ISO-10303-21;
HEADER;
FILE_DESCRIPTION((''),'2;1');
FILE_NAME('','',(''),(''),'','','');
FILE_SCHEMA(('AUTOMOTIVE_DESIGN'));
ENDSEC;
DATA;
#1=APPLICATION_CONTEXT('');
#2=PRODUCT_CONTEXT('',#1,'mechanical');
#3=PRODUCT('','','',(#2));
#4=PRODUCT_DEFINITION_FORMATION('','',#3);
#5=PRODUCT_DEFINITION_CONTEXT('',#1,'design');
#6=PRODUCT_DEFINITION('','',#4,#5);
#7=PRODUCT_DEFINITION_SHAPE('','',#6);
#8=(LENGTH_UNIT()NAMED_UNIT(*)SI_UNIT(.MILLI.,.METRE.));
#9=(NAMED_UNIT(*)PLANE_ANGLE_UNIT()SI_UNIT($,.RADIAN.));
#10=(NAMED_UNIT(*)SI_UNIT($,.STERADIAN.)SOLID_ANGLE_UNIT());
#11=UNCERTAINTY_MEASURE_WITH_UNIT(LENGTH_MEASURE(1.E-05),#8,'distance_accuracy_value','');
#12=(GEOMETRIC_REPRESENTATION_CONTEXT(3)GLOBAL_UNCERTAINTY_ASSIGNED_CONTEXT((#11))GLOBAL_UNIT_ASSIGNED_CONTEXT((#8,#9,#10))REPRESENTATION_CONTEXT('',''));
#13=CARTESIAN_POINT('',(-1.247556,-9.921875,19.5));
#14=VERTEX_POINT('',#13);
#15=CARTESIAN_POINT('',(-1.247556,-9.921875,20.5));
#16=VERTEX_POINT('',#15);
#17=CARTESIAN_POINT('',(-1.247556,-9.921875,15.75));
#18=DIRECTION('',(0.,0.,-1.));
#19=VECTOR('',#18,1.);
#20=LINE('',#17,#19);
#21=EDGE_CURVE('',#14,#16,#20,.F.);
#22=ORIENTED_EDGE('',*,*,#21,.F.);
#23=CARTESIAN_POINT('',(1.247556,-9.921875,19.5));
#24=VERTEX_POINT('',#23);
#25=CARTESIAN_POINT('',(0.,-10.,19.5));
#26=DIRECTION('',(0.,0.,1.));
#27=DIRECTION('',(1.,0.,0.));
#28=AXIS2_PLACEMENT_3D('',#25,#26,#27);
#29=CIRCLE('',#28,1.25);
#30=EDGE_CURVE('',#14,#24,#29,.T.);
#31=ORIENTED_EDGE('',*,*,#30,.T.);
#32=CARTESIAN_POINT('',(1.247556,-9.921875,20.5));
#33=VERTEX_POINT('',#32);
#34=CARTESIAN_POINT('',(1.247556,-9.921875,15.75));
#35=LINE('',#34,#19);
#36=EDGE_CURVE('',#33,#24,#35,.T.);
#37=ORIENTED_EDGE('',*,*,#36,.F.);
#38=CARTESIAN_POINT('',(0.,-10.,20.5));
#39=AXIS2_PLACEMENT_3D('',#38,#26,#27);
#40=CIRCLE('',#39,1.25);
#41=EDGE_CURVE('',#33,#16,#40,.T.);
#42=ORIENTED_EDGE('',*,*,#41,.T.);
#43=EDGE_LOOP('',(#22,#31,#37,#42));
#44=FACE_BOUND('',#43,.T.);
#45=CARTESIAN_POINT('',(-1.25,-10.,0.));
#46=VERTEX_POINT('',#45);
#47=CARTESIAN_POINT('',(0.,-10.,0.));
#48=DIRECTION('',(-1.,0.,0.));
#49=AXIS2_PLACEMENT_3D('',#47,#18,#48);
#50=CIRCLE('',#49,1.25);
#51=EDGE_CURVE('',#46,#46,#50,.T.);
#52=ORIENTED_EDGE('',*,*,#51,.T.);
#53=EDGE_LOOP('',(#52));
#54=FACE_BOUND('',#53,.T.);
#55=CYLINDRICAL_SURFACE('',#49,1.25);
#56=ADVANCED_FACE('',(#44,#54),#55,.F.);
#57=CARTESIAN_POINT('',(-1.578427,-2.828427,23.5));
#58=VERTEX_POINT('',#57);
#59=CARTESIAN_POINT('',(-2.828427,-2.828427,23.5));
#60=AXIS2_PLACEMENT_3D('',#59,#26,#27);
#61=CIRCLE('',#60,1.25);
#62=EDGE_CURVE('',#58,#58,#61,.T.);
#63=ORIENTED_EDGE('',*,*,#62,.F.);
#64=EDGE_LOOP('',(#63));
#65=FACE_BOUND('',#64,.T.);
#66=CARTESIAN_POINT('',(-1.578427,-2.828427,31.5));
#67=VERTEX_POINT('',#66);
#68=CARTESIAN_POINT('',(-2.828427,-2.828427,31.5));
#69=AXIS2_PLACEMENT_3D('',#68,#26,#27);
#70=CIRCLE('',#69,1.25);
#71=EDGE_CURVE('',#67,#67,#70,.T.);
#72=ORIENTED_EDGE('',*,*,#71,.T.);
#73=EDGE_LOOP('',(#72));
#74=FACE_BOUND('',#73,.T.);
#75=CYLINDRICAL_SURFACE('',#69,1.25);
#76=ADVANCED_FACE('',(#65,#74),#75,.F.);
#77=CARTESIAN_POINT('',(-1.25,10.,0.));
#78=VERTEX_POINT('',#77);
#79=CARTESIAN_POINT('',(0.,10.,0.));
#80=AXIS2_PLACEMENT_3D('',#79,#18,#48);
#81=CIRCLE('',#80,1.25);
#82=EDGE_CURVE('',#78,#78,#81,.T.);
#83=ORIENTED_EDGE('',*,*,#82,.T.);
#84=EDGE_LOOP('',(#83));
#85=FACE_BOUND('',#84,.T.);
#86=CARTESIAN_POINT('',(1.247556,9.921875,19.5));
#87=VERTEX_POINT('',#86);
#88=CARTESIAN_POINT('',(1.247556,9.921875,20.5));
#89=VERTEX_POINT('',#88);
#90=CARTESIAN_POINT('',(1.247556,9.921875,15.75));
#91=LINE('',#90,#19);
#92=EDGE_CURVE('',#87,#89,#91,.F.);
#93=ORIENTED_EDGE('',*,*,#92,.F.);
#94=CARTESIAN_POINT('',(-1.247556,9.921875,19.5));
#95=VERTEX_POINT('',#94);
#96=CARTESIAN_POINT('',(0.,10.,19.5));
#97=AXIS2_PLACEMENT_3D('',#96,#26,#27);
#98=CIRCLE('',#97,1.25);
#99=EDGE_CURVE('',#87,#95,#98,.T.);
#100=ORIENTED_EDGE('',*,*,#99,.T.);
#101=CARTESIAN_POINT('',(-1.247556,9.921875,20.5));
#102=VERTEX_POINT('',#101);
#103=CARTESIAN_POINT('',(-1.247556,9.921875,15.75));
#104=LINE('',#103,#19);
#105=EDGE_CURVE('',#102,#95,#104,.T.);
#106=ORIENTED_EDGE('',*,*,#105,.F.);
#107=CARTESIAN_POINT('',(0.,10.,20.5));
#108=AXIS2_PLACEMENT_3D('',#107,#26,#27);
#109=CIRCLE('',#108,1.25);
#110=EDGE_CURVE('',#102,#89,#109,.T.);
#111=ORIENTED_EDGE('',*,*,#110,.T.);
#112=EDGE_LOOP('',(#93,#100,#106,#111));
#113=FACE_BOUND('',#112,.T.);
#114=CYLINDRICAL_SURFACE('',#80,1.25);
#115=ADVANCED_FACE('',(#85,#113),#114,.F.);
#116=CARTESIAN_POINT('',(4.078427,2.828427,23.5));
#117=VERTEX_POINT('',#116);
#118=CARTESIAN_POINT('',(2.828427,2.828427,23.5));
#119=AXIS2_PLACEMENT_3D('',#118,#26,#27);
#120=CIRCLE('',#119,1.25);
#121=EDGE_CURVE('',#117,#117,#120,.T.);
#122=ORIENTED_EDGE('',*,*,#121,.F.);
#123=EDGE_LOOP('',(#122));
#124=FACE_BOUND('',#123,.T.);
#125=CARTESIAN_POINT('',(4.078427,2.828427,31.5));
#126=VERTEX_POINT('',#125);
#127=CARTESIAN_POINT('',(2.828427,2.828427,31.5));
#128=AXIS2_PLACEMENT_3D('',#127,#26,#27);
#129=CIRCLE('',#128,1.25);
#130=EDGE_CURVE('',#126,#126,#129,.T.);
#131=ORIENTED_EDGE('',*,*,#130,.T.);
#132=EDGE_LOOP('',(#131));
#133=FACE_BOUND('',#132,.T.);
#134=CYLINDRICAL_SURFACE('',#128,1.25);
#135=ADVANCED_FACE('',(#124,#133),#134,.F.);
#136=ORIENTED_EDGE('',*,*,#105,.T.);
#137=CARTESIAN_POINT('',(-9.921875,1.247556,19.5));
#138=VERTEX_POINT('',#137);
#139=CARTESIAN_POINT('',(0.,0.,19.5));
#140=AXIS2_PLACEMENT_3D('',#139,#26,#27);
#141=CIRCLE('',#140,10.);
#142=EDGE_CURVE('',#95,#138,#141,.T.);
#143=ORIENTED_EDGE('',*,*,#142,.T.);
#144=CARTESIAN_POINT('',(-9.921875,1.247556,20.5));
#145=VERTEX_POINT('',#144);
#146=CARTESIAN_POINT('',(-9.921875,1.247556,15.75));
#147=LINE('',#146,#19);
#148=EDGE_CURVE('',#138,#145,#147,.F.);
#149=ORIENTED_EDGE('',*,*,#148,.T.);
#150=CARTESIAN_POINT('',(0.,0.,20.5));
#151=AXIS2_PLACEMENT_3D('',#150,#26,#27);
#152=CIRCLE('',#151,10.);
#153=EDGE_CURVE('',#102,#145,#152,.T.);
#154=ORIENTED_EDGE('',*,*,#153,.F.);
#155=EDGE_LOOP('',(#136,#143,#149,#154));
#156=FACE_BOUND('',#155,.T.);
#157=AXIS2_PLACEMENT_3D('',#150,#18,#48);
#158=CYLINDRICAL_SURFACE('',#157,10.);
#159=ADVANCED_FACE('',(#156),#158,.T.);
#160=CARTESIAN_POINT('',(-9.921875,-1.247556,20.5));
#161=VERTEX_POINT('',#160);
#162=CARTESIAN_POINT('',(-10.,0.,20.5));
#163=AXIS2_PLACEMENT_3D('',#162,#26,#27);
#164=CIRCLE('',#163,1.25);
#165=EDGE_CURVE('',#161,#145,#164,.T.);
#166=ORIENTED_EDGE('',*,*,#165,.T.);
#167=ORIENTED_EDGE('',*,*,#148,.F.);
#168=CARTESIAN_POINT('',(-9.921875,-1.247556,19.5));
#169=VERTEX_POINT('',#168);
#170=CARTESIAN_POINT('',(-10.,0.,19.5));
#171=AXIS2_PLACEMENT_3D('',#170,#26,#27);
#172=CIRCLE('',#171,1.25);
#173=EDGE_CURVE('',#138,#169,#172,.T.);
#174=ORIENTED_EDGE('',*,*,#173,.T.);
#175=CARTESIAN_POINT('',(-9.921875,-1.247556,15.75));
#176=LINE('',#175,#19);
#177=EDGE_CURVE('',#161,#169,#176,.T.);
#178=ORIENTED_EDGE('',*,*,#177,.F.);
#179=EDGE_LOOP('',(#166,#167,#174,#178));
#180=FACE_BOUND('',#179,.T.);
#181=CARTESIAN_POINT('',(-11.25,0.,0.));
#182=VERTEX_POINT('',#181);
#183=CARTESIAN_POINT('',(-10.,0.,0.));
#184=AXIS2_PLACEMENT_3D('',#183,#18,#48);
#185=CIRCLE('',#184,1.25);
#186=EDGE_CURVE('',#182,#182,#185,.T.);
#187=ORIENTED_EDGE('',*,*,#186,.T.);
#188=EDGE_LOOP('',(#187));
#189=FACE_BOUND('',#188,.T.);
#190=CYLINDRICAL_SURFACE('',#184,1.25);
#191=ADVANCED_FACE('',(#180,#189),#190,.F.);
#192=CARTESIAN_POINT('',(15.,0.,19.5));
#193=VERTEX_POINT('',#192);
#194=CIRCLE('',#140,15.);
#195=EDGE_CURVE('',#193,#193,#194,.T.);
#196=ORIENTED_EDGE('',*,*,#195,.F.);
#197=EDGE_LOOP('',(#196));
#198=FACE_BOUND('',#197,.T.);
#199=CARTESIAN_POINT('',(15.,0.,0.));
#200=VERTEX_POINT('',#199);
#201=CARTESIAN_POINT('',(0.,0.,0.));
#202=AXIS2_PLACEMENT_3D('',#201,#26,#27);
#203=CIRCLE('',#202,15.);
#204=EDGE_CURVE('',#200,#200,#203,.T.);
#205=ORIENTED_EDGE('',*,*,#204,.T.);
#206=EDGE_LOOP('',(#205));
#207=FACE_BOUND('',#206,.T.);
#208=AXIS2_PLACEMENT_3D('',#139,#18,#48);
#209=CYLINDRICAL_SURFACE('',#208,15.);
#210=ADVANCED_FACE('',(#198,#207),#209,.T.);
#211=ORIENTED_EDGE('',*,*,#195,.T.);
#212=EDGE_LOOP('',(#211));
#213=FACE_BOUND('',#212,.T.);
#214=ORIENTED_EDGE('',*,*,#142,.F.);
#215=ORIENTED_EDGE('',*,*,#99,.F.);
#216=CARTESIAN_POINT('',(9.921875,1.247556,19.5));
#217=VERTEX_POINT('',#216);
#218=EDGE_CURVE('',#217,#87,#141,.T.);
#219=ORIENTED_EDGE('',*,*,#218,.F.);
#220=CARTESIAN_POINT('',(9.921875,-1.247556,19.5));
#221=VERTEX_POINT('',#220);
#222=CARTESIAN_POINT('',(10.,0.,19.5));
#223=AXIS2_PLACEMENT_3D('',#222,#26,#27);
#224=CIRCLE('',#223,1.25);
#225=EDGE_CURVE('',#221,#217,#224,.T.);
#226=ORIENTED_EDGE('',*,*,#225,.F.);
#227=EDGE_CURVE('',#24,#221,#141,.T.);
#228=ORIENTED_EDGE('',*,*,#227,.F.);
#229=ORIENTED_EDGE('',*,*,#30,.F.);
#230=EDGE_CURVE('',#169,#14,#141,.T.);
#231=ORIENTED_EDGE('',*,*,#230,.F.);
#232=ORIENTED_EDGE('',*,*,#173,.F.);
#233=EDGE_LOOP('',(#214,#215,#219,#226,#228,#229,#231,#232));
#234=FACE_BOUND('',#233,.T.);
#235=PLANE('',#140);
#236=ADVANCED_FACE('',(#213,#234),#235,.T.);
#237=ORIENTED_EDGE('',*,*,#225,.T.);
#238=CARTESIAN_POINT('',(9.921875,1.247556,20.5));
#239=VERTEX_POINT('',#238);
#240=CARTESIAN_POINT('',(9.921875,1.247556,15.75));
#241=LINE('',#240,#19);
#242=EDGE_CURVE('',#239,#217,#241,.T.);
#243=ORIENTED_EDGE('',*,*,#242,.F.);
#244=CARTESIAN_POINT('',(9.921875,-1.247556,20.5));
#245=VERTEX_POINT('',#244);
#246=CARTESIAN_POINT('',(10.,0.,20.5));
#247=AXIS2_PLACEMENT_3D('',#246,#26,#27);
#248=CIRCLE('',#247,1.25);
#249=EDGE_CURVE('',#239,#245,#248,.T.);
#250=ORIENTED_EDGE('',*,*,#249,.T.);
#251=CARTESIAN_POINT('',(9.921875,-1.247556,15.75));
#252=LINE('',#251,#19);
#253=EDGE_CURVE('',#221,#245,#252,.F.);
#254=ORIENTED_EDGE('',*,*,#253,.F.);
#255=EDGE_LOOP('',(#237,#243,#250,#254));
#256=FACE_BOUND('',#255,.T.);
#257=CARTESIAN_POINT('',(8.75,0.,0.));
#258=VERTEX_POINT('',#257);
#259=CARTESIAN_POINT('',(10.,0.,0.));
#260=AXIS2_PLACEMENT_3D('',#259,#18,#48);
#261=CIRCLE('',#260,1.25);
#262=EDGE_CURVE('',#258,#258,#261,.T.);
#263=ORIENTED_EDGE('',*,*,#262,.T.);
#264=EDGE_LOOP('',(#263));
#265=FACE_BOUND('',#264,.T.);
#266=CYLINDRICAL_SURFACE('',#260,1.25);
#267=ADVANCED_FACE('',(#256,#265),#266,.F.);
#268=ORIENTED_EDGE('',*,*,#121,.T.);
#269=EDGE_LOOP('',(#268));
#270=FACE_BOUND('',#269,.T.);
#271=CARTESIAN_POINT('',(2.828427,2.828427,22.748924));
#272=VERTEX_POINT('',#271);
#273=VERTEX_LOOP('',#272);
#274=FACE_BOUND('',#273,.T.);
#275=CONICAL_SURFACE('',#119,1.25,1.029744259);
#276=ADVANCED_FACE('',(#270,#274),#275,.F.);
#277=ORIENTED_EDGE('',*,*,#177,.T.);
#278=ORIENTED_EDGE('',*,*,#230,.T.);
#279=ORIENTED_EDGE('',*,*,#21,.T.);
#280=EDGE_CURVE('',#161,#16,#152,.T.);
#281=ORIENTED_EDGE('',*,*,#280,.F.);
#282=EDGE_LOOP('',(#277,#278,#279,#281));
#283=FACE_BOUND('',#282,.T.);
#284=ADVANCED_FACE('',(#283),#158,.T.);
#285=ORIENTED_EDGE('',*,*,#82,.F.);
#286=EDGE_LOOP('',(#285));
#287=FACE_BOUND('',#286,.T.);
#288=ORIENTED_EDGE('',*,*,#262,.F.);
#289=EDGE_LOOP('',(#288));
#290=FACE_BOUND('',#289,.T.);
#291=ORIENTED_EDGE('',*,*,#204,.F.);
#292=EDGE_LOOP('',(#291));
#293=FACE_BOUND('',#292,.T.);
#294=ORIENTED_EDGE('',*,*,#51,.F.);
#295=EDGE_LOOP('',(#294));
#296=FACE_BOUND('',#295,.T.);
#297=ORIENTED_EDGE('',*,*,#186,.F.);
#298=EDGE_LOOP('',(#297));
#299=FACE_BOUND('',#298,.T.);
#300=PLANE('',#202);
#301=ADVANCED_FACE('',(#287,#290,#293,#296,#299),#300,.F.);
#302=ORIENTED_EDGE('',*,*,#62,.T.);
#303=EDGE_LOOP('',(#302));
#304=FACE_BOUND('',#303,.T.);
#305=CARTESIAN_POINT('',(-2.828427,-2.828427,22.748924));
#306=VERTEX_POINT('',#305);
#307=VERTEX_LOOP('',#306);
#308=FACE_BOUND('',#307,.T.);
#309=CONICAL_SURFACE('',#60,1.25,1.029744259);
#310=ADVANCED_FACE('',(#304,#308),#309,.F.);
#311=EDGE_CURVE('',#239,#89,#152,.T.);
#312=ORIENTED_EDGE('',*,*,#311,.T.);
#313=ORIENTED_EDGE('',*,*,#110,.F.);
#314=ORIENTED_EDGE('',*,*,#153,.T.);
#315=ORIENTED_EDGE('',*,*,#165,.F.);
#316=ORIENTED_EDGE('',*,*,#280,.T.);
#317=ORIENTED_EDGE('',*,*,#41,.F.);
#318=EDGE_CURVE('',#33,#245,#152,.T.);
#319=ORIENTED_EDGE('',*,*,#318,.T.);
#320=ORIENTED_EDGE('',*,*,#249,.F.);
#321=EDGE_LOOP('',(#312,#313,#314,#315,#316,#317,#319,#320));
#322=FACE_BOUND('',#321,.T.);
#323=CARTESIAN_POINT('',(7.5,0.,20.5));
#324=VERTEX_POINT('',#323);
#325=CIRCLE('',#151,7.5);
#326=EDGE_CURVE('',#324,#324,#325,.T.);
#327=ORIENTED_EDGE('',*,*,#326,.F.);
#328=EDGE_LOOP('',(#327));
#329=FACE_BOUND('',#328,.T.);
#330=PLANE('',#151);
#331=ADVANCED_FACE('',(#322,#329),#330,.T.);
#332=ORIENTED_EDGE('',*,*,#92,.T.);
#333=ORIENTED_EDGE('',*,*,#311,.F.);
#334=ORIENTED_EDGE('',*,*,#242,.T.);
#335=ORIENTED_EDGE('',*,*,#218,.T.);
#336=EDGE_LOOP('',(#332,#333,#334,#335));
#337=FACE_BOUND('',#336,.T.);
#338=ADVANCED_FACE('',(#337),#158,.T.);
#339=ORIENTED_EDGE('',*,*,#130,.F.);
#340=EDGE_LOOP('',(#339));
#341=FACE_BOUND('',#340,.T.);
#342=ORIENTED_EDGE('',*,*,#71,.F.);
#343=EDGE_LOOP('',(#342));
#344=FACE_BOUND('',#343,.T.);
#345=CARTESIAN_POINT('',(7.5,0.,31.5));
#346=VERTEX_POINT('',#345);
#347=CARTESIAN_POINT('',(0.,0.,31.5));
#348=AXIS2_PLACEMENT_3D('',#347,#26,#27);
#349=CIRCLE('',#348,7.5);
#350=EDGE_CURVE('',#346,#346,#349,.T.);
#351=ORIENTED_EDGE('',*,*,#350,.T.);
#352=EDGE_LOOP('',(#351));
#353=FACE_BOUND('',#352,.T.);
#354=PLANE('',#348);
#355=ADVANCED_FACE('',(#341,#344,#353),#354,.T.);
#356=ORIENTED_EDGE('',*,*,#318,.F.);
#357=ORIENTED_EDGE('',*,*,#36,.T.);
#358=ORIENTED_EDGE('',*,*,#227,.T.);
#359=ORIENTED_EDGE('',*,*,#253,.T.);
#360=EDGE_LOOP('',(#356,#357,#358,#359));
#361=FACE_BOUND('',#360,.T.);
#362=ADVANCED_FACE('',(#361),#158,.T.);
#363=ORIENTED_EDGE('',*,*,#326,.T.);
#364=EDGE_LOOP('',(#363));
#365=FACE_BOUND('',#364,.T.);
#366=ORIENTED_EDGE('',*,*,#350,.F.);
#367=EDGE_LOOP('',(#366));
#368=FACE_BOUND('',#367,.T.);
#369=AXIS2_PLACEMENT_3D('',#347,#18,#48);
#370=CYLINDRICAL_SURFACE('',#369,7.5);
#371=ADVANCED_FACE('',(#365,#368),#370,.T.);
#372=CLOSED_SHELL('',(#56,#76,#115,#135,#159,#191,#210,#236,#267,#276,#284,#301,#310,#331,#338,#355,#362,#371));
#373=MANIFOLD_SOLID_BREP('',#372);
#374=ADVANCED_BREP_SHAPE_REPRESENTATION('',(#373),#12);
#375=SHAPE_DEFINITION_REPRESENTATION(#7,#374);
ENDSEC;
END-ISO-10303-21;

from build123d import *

# Parameters (mm, degrees)
SKETCH_1_R      = 15
EXTRUDE_1_DEPTH = 19.5
SKETCH_2_R      = 10
EXTRUDE_2_DEPTH = 1
SKETCH_3_R      = 7.5
EXTRUDE_3_DEPTH = 11
M3X0_52_D       = 2.5
M3X0_51_D       = 2.5
M3X0_51_DEPTH   = 8
M3X0_51_TIP     = 0.751075774


with BuildPart() as part:
    # Эскиз1 → Бобышка-Вытянуть1 (new body)
    with BuildSketch(Plane.XY):
        Circle(SKETCH_1_R)
    extrude(amount=EXTRUDE_1_DEPTH)

    # Эскиз2 → Бобышка-Вытянуть2 (add)
    with BuildSketch(Plane.XY.offset(19.5)):
        Circle(SKETCH_2_R)
    extrude(amount=EXTRUDE_2_DEPTH)

    # Эскиз3 → Бобышка-Вытянуть3 (add)
    with BuildSketch(Plane.XY.offset(20.5)):
        Circle(SKETCH_3_R)
    extrude(amount=EXTRUDE_3_DEPTH)

    # Отверстие обработанное метчиком M3x0.52 (through all)
    with Locations(Plane(origin=(0, 0, 0), x_dir=(-1, 0, 0), z_dir=(0, 0, -1))):
        with Locations((0, 10), (10, 0), (-10, 0), (0, -10)):
            Hole(M3X0_52_D / 2)

    # Отверстие обработанное метчиком M3x0.51
    with Locations(Plane.XY.offset(31.5)):
        with Locations((-2.828427125, -2.828427125), (2.828427125, 2.828427125)):
            Hole(M3X0_51_D / 2, depth=M3X0_51_DEPTH)
            with Locations((0, 0, -(M3X0_51_DEPTH + M3X0_51_TIP / 2))):  # 118° drill point
                Cone(0, M3X0_51_D / 2, M3X0_51_TIP, mode=Mode.SUBTRACT)


solid = part.part
